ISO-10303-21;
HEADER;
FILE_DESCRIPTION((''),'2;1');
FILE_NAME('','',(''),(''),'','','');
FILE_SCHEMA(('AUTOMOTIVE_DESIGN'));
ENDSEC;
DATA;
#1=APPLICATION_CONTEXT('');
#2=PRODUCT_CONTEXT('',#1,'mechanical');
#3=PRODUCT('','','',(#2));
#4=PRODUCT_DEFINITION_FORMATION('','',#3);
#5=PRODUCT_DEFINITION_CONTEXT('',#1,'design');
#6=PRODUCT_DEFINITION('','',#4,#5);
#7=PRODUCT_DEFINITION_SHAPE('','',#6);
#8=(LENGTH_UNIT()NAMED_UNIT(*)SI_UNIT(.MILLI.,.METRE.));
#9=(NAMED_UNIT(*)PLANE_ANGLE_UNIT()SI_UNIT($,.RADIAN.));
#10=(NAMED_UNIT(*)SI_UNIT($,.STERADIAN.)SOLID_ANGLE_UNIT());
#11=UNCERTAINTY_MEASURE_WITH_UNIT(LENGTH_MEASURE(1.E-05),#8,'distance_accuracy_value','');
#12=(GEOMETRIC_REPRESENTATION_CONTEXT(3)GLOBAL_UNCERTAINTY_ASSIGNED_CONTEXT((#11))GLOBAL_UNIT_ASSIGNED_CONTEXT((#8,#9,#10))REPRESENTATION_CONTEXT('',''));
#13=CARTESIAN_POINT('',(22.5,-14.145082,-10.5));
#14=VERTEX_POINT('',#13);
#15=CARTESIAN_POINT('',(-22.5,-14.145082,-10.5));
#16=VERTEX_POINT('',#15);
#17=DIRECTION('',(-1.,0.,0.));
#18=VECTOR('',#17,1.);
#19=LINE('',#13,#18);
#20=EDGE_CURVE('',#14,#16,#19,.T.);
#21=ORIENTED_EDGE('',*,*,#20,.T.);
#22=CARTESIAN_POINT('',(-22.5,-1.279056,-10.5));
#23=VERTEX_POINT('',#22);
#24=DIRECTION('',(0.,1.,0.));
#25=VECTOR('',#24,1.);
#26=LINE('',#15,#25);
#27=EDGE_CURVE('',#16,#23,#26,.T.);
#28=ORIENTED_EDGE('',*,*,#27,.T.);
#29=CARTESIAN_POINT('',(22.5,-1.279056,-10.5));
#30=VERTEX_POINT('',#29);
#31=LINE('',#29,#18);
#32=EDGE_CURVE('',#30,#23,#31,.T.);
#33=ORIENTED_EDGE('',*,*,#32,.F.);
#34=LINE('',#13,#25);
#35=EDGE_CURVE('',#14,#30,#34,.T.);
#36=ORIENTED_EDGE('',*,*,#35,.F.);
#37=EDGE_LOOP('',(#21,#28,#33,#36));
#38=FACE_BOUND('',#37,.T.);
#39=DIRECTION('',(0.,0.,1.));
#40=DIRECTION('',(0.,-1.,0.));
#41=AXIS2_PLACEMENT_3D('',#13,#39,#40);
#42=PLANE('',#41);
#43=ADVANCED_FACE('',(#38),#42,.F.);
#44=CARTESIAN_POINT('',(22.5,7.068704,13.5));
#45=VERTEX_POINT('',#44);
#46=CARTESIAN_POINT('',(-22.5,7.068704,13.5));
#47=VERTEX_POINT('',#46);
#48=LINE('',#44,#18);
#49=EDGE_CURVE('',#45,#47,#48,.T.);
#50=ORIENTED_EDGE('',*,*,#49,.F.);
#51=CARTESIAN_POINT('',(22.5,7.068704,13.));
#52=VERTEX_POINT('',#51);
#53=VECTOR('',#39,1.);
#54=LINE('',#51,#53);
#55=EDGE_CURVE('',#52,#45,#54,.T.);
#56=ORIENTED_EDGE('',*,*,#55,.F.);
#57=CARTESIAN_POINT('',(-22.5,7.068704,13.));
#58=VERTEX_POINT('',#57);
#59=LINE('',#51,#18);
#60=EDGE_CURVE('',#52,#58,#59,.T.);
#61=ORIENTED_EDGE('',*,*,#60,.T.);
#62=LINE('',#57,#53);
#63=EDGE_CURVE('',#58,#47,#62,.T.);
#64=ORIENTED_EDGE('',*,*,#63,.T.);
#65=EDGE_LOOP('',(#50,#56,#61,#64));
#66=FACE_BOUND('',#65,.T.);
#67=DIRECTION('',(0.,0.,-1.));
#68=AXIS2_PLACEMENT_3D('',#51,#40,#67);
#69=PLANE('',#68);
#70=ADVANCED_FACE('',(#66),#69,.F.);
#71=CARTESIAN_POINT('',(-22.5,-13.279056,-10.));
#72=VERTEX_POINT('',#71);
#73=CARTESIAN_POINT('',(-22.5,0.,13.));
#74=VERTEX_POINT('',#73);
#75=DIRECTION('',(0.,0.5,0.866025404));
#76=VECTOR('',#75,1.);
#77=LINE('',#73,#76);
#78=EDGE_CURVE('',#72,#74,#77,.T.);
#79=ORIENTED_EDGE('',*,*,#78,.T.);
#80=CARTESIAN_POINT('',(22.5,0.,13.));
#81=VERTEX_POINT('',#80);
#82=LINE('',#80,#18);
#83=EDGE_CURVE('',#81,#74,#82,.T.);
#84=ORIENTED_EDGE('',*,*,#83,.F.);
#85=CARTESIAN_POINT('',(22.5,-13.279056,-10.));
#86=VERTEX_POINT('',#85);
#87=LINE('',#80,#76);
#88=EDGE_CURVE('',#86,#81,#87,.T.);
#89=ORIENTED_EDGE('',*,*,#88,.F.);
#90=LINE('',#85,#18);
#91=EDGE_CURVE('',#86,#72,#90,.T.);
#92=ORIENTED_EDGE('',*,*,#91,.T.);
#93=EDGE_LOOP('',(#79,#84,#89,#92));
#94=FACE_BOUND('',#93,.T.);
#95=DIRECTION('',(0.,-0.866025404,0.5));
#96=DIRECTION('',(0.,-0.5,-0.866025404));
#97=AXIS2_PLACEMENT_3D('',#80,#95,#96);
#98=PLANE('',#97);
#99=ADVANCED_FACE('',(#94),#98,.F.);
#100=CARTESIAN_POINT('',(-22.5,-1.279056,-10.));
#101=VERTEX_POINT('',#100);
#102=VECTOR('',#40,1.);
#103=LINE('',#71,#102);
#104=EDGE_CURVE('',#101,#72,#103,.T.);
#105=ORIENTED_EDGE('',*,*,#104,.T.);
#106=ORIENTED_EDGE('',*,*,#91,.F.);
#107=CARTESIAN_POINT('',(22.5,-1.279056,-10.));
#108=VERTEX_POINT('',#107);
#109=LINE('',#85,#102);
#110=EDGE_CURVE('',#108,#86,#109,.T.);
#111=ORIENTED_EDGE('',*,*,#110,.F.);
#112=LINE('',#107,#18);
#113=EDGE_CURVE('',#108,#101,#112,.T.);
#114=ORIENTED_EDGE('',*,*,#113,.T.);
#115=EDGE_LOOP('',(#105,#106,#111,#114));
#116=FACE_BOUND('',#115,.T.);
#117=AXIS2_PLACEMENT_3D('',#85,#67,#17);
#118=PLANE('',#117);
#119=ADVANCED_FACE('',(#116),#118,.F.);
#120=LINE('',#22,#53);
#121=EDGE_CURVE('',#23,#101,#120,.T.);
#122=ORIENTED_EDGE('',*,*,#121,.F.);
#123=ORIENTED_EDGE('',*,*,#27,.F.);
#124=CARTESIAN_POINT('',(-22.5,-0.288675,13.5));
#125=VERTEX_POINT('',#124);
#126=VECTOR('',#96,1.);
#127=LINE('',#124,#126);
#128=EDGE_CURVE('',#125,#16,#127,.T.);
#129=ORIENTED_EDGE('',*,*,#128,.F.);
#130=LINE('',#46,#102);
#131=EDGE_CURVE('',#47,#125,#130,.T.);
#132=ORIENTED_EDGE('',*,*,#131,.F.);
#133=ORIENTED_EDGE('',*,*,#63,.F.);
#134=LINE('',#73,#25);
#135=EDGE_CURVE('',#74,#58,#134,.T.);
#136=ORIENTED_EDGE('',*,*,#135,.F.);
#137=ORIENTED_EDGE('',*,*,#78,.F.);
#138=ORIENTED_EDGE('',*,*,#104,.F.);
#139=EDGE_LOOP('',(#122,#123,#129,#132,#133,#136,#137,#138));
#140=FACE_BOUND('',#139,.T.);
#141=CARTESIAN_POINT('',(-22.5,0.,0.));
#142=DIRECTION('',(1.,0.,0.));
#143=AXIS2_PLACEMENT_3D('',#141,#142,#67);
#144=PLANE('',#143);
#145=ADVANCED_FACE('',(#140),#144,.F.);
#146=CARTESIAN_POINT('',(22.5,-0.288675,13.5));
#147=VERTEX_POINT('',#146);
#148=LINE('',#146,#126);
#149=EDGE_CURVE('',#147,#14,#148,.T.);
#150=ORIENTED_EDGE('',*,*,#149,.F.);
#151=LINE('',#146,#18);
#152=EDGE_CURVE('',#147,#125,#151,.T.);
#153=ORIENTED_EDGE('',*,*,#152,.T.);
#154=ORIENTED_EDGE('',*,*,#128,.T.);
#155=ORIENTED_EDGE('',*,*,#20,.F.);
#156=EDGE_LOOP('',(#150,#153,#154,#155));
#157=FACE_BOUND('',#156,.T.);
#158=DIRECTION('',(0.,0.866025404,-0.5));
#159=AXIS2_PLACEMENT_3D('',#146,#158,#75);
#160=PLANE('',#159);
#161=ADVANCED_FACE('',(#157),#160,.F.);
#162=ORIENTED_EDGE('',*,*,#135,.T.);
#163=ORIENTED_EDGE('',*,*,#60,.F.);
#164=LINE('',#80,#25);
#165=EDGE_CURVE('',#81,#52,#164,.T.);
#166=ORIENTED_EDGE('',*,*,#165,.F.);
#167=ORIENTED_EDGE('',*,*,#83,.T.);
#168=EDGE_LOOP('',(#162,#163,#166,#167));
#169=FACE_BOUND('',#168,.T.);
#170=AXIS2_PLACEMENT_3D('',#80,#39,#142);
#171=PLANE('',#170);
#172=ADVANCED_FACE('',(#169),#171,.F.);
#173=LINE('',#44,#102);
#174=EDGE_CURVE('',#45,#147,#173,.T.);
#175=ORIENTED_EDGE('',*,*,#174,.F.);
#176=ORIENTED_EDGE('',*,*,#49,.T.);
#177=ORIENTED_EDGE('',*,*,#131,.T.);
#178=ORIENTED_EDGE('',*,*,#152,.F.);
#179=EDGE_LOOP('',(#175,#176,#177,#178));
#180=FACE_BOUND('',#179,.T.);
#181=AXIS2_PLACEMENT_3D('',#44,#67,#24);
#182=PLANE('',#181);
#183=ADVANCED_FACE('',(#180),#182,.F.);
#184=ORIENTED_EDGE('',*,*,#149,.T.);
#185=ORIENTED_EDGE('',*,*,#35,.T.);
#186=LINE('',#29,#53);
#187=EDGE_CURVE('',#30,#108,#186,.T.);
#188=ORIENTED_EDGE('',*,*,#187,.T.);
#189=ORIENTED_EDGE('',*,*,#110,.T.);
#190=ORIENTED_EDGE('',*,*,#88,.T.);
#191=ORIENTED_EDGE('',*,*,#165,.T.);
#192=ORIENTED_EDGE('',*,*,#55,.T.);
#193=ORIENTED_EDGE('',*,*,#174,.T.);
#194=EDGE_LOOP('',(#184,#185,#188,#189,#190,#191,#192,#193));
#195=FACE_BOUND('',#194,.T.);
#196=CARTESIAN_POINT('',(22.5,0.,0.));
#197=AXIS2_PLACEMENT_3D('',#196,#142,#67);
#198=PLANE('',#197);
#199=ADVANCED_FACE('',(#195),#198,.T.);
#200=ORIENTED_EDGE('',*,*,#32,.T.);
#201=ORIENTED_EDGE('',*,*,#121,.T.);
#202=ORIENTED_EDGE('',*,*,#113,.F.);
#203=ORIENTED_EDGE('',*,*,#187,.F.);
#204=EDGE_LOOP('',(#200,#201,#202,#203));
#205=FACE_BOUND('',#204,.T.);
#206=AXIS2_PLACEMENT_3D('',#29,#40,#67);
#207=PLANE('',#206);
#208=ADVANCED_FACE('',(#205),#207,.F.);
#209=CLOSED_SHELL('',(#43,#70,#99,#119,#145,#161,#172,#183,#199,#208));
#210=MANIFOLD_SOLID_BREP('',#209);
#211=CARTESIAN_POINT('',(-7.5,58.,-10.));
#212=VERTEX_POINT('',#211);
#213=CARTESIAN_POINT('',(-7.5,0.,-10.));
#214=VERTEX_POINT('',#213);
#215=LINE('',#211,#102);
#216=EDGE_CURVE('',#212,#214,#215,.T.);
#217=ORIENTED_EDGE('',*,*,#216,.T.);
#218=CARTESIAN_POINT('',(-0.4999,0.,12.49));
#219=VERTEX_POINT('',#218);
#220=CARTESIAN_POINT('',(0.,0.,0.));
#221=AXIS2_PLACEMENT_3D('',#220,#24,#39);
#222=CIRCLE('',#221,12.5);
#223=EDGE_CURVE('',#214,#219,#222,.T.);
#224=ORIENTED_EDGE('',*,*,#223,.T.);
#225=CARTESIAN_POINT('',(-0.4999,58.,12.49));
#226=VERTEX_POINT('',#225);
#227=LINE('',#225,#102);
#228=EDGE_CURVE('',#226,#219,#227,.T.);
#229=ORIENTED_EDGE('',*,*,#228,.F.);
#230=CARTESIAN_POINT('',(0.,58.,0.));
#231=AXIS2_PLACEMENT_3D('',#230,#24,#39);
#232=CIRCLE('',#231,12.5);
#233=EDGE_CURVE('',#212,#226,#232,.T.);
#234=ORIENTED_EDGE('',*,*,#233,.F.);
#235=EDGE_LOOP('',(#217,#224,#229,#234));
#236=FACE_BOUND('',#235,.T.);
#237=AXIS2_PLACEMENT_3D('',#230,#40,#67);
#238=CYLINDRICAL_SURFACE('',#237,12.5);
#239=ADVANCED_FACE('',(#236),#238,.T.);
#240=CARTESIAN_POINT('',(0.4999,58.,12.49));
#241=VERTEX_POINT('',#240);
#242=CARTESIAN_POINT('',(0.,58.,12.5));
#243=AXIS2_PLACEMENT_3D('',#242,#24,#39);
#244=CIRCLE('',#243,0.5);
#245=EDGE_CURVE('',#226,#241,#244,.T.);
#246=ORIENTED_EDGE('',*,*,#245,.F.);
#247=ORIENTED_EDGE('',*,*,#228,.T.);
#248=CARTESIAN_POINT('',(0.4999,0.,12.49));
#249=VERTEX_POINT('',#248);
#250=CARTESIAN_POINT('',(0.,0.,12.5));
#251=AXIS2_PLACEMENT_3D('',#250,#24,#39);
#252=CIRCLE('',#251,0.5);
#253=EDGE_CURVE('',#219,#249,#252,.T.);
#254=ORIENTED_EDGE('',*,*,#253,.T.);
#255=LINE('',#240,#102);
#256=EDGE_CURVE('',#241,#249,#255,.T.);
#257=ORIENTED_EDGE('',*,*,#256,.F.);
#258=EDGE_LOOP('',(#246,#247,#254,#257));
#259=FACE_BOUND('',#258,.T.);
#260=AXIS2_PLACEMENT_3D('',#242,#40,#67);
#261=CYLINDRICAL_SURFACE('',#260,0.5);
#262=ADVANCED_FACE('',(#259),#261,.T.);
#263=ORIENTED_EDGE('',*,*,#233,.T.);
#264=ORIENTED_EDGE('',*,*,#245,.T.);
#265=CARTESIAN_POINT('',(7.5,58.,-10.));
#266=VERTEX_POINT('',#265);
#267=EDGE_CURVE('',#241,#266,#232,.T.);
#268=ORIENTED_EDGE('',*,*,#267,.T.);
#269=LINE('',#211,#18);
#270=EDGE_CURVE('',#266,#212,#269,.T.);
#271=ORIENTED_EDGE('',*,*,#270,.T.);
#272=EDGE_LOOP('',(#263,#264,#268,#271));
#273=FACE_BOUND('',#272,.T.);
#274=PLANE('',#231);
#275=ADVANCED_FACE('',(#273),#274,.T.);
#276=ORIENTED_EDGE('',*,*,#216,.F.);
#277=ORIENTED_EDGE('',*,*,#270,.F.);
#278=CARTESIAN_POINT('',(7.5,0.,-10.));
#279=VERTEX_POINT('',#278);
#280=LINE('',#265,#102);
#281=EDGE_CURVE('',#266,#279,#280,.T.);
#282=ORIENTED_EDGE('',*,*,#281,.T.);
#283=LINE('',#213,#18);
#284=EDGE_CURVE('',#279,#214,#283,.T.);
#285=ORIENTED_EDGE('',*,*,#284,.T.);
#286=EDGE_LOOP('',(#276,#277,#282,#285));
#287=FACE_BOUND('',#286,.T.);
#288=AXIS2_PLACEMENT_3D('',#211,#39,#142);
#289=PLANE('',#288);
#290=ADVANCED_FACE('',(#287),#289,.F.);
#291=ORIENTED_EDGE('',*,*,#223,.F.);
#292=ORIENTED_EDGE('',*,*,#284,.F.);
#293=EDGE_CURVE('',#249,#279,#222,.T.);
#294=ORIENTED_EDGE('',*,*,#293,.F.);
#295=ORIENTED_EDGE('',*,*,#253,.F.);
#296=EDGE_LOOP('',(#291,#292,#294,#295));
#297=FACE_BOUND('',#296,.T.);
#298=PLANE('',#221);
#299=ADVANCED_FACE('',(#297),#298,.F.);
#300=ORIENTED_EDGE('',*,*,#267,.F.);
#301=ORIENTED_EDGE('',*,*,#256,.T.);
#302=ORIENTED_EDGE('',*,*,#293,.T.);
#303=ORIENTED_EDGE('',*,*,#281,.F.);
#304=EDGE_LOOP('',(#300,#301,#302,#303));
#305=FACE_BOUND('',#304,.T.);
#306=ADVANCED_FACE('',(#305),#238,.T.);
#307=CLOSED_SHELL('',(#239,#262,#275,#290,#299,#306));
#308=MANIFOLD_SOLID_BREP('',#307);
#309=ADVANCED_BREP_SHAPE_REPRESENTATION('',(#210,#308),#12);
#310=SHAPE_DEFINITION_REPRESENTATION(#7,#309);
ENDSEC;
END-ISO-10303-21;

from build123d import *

# Parameters (mm, degrees)
EXTRUDE_1_DEPTH = 58
EXTRUDE_2_DEPTH = 22.5


with BuildPart() as part:
    # 草图1 → 凸台-拉伸1 (new body)
    with BuildSketch(Plane(origin=(0, 0, 0), x_dir=(1, 0, 0), z_dir=(0, 1, 0))):
        with BuildLine():
            Line((-7.5, 10), (7.5, 10))
            ThreePointArc((7.5, 10), (11.935226222, -3.714885602), (0.49989999, -12.49))
            ThreePointArc((0.49989999, -12.49), (0, -13), (-0.49989999, -12.49))
            ThreePointArc((-0.49989999, -12.49), (-11.935226222, -3.714885602), (-7.5, 10))
        make_face()
    extrude(amount=EXTRUDE_1_DEPTH)


with BuildPart() as body_2:
    # 草图2 → 凸台-拉伸2 (new, symmetric)
    with BuildSketch(Plane(origin=(0, 0, 0), x_dir=(0, 0, -1), z_dir=(1, 0, 0))):
        Polygon((-13, 0), (10, -13.279056191), (10, -1.279056191), (10.5, -1.279056191), (10.5, -14.145081595), (-13.5, -0.288675135), (-13.5, 7.068703683), (-13, 7.068703683), align=None)
    extrude(amount=EXTRUDE_2_DEPTH, both=True)


solid = Compound([part.part, body_2.part])
